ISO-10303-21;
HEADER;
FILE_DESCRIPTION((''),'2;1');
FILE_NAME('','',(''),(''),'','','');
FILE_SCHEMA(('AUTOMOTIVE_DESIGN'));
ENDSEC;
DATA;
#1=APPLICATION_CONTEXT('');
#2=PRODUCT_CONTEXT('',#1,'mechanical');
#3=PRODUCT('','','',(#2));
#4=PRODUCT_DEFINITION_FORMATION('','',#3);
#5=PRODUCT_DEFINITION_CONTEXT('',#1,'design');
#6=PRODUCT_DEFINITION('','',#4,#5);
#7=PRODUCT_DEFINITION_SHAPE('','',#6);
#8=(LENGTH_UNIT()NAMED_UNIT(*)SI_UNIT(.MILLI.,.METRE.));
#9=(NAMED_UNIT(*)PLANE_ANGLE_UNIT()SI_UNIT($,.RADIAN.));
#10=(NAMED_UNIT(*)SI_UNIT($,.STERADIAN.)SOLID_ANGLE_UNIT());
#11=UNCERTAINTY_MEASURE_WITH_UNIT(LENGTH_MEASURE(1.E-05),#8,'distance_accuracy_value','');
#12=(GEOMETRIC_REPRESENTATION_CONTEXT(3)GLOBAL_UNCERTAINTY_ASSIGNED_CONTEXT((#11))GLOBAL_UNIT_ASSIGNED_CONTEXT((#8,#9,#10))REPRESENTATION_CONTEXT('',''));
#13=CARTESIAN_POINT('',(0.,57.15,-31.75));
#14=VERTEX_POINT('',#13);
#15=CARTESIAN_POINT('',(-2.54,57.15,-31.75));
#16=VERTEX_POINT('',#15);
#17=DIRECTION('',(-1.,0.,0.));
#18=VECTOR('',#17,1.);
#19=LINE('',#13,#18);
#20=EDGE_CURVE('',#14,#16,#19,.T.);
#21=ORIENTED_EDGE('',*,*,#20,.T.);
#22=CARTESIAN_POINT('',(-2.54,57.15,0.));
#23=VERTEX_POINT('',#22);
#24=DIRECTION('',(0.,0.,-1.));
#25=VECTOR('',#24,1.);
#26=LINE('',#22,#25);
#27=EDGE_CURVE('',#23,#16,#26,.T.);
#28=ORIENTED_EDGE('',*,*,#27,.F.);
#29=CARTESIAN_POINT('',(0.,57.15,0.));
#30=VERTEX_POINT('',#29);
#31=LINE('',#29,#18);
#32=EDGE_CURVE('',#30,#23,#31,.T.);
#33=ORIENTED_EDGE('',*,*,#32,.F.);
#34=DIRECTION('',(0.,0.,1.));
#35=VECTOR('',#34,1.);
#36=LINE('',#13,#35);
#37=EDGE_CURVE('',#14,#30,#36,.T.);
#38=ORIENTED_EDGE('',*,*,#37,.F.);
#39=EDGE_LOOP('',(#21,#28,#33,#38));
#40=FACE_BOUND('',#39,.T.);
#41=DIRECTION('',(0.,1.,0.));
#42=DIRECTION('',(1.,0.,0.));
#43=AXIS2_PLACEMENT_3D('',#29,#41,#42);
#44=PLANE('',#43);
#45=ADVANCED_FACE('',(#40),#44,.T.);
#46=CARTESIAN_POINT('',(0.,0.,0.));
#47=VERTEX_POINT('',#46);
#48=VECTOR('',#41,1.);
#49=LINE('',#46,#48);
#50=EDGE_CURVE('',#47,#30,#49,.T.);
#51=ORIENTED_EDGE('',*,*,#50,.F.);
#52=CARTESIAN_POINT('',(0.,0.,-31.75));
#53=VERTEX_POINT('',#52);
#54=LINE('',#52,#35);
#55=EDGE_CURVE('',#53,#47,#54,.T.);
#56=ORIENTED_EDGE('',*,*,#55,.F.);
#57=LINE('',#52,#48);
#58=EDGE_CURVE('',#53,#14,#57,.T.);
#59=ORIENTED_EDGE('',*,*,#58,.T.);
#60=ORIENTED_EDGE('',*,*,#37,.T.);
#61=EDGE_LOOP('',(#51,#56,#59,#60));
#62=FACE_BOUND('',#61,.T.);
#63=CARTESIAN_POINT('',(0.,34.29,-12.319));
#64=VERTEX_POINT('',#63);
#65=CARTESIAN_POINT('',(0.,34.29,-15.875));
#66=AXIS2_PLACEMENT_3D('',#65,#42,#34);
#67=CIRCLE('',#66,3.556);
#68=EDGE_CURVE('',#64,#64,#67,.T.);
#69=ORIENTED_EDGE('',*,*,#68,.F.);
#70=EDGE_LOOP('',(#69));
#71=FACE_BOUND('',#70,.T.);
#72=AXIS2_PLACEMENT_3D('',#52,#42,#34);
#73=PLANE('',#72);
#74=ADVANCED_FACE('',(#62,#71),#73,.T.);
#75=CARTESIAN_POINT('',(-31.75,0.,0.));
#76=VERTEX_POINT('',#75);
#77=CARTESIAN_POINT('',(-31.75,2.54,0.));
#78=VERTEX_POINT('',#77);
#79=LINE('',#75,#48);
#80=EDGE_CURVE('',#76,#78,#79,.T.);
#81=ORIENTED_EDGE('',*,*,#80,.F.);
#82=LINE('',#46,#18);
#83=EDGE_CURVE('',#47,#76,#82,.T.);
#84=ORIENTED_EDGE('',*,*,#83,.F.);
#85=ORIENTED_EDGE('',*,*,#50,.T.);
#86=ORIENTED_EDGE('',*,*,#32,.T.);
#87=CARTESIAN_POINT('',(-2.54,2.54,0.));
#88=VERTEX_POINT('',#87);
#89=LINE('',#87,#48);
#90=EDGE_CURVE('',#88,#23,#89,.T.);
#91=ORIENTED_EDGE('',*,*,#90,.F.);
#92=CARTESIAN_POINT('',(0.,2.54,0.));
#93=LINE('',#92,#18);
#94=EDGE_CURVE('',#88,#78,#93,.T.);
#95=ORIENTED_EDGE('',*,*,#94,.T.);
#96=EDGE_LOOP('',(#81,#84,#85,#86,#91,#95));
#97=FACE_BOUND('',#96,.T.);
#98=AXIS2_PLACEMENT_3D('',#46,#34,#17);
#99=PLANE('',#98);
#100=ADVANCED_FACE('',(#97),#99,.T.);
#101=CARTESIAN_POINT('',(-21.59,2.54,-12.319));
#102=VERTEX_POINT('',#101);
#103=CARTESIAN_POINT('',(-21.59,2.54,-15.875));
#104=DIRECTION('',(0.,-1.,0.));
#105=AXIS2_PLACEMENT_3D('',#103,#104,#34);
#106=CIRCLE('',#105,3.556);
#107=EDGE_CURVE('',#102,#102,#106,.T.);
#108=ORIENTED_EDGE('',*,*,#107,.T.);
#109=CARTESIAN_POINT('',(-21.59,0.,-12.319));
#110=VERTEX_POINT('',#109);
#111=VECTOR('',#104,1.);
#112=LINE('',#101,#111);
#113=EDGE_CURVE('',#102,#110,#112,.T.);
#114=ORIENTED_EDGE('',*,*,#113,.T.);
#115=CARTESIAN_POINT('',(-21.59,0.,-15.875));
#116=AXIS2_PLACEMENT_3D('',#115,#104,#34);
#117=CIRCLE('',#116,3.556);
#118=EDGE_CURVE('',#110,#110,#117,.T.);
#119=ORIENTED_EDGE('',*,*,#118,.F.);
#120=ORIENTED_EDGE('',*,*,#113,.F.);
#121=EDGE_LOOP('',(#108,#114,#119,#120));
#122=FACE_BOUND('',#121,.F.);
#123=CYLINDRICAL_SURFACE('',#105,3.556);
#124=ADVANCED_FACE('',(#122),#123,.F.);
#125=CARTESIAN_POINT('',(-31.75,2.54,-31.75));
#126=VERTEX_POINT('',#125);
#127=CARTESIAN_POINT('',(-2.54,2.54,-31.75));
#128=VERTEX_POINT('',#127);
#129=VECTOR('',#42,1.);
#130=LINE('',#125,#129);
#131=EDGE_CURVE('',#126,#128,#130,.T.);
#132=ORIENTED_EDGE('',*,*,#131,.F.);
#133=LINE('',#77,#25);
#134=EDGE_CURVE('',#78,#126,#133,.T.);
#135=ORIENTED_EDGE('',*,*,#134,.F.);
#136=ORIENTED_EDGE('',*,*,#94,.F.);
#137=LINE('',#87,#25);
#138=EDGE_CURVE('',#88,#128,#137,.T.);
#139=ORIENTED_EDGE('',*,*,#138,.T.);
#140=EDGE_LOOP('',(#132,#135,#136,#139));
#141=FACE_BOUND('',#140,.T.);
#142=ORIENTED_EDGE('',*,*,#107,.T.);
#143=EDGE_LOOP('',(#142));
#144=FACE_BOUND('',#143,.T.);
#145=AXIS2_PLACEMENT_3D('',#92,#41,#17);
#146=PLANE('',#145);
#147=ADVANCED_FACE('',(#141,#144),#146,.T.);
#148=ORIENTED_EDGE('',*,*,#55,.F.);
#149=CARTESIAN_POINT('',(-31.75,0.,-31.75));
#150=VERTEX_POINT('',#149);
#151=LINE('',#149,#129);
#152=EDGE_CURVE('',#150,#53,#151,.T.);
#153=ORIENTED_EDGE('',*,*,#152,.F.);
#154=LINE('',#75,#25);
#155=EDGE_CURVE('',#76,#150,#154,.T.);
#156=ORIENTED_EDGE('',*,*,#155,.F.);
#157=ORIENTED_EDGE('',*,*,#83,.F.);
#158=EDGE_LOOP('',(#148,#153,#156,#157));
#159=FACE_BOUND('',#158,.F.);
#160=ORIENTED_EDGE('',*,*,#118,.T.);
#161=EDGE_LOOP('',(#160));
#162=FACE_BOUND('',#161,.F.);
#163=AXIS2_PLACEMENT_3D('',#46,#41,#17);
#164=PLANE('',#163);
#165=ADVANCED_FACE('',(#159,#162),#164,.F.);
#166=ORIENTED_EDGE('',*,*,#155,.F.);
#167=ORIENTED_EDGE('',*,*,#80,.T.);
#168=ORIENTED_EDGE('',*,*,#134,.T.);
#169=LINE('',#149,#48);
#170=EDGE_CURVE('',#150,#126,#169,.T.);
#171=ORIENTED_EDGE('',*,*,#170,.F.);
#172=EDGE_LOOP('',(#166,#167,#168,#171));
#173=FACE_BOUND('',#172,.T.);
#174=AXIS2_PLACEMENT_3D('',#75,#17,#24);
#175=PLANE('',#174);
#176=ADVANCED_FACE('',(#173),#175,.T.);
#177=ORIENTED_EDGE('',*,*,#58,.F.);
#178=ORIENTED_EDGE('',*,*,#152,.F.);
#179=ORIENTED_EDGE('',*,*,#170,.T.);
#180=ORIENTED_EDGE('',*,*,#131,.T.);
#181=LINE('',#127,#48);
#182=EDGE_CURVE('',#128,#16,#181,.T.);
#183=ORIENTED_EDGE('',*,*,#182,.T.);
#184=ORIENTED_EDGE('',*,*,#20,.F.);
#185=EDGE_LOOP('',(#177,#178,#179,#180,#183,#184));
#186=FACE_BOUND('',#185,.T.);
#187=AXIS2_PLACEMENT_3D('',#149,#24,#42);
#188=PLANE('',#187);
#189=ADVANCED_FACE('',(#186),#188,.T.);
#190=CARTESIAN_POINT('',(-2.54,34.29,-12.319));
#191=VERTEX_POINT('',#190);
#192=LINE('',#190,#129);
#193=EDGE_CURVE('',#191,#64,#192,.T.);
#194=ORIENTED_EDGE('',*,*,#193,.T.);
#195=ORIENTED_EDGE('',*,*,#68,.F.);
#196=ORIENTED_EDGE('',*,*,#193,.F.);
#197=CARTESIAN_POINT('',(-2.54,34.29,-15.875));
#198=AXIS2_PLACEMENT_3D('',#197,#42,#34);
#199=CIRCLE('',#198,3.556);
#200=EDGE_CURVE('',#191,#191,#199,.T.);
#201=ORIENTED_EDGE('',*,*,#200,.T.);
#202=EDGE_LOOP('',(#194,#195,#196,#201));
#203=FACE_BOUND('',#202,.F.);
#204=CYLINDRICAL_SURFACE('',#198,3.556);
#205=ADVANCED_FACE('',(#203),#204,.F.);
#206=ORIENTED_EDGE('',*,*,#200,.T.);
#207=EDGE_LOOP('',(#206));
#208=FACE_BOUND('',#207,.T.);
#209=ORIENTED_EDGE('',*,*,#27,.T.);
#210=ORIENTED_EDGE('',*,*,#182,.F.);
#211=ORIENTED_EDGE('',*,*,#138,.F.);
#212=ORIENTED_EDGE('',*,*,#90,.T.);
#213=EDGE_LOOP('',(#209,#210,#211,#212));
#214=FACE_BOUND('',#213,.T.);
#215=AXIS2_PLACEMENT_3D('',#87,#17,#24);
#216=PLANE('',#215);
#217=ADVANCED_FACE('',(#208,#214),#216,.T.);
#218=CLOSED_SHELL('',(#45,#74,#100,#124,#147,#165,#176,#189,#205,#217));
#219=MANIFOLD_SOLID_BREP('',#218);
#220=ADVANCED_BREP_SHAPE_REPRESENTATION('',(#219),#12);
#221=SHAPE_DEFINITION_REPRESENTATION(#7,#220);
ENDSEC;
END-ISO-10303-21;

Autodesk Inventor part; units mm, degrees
ref_plane "YZ Plane" through (0, 0, 0) normal (1, 0, 0) x (0, 1, 0)
ref_plane "XZ Plane" through (0, 0, 0) normal (0, 1, 0) x (-1, 0, 0)
ref_plane "XY Plane" through (0, 0, 0) normal (0, 0, 1) x (1, 0, 0)
sketch "Sketch1" plane through (0, 0, 0) normal (0, 1, 0) x (-1, 0, 0)
  line L0 (0, 0) -> (31.75, 0)
  line L1 (31.75, 0) -> (31.75, -31.75)
  line L2 (31.75, -31.75) -> (0, -31.75)
  line L3 (0, -31.75) -> (0, 0)
  dimension "d0" = 31.75
  dimension "d1" = 31.75
extrude "Extrusion1" add sketch "Sketch1" along normal blind 2.54
sketch "Sketch2" plane through (0, 2.54, 0) normal (0, 1, 0) x (1, 0, 0)
  line L0 (0, 31.75) -> (-31.75, 31.75) projected
  line L1 (0, 0) -> (-2.54, 0)
  line L2 (-2.54, 0) -> (-2.54, 31.75)
  line L3 (-2.54, 31.75) -> (0, 31.75)
  line L4 (0, 31.75) -> (0, 0)
  dimension "d4" = 2.54
extrude "Extrusion2" add sketch "Sketch2" along normal blind 54.61
sketch "Sketch3" plane through (0, 2.54, 0) normal (0, 1, 0) x (1, 0, 0)
  line L0 (-2.54, 0) -> (-2.54, 31.75) projected
  line L1 (-2.54, 31.75) -> (-31.75, 31.75) projected
  line L2 (-31.75, 31.75) -> (-31.75, 0) projected
  line L3 (-31.75, 0) -> (-2.54, 0) projected
  point P0 (0, 0)
  point P1 (-21.59, 15.875)
  dimension "d7" = 15.875
  dimension "d8" = 19.05
hole "Hole1" at (-21.59, 2.54, -15.875) direction (0, -1, 0) diameter 7.112 end through all
sketch "Sketch4" plane through (-2.54, 2.54, -31.75) normal (-1, 0, 0) x (0, 0, 1)
  line L0 (31.75, 0) -> (0, 0) projected
  line L1 (31.75, 0) -> (31.75, 54.61) projected
  line L2 (0, 54.61) -> (31.75, 54.61) projected
  line L3 (0, 0) -> (0, 54.61) projected
  point P0 (31.75, -2.54)
  point P1 (15.875, 31.75)
  dimension "d16" = 15.875
  dimension "d17" = 31.75
hole "Hole2" at (-2.54, 34.29, -15.875) direction (1, 0, 0) diameter 7.112 end through all
properties part number "090001-1"
